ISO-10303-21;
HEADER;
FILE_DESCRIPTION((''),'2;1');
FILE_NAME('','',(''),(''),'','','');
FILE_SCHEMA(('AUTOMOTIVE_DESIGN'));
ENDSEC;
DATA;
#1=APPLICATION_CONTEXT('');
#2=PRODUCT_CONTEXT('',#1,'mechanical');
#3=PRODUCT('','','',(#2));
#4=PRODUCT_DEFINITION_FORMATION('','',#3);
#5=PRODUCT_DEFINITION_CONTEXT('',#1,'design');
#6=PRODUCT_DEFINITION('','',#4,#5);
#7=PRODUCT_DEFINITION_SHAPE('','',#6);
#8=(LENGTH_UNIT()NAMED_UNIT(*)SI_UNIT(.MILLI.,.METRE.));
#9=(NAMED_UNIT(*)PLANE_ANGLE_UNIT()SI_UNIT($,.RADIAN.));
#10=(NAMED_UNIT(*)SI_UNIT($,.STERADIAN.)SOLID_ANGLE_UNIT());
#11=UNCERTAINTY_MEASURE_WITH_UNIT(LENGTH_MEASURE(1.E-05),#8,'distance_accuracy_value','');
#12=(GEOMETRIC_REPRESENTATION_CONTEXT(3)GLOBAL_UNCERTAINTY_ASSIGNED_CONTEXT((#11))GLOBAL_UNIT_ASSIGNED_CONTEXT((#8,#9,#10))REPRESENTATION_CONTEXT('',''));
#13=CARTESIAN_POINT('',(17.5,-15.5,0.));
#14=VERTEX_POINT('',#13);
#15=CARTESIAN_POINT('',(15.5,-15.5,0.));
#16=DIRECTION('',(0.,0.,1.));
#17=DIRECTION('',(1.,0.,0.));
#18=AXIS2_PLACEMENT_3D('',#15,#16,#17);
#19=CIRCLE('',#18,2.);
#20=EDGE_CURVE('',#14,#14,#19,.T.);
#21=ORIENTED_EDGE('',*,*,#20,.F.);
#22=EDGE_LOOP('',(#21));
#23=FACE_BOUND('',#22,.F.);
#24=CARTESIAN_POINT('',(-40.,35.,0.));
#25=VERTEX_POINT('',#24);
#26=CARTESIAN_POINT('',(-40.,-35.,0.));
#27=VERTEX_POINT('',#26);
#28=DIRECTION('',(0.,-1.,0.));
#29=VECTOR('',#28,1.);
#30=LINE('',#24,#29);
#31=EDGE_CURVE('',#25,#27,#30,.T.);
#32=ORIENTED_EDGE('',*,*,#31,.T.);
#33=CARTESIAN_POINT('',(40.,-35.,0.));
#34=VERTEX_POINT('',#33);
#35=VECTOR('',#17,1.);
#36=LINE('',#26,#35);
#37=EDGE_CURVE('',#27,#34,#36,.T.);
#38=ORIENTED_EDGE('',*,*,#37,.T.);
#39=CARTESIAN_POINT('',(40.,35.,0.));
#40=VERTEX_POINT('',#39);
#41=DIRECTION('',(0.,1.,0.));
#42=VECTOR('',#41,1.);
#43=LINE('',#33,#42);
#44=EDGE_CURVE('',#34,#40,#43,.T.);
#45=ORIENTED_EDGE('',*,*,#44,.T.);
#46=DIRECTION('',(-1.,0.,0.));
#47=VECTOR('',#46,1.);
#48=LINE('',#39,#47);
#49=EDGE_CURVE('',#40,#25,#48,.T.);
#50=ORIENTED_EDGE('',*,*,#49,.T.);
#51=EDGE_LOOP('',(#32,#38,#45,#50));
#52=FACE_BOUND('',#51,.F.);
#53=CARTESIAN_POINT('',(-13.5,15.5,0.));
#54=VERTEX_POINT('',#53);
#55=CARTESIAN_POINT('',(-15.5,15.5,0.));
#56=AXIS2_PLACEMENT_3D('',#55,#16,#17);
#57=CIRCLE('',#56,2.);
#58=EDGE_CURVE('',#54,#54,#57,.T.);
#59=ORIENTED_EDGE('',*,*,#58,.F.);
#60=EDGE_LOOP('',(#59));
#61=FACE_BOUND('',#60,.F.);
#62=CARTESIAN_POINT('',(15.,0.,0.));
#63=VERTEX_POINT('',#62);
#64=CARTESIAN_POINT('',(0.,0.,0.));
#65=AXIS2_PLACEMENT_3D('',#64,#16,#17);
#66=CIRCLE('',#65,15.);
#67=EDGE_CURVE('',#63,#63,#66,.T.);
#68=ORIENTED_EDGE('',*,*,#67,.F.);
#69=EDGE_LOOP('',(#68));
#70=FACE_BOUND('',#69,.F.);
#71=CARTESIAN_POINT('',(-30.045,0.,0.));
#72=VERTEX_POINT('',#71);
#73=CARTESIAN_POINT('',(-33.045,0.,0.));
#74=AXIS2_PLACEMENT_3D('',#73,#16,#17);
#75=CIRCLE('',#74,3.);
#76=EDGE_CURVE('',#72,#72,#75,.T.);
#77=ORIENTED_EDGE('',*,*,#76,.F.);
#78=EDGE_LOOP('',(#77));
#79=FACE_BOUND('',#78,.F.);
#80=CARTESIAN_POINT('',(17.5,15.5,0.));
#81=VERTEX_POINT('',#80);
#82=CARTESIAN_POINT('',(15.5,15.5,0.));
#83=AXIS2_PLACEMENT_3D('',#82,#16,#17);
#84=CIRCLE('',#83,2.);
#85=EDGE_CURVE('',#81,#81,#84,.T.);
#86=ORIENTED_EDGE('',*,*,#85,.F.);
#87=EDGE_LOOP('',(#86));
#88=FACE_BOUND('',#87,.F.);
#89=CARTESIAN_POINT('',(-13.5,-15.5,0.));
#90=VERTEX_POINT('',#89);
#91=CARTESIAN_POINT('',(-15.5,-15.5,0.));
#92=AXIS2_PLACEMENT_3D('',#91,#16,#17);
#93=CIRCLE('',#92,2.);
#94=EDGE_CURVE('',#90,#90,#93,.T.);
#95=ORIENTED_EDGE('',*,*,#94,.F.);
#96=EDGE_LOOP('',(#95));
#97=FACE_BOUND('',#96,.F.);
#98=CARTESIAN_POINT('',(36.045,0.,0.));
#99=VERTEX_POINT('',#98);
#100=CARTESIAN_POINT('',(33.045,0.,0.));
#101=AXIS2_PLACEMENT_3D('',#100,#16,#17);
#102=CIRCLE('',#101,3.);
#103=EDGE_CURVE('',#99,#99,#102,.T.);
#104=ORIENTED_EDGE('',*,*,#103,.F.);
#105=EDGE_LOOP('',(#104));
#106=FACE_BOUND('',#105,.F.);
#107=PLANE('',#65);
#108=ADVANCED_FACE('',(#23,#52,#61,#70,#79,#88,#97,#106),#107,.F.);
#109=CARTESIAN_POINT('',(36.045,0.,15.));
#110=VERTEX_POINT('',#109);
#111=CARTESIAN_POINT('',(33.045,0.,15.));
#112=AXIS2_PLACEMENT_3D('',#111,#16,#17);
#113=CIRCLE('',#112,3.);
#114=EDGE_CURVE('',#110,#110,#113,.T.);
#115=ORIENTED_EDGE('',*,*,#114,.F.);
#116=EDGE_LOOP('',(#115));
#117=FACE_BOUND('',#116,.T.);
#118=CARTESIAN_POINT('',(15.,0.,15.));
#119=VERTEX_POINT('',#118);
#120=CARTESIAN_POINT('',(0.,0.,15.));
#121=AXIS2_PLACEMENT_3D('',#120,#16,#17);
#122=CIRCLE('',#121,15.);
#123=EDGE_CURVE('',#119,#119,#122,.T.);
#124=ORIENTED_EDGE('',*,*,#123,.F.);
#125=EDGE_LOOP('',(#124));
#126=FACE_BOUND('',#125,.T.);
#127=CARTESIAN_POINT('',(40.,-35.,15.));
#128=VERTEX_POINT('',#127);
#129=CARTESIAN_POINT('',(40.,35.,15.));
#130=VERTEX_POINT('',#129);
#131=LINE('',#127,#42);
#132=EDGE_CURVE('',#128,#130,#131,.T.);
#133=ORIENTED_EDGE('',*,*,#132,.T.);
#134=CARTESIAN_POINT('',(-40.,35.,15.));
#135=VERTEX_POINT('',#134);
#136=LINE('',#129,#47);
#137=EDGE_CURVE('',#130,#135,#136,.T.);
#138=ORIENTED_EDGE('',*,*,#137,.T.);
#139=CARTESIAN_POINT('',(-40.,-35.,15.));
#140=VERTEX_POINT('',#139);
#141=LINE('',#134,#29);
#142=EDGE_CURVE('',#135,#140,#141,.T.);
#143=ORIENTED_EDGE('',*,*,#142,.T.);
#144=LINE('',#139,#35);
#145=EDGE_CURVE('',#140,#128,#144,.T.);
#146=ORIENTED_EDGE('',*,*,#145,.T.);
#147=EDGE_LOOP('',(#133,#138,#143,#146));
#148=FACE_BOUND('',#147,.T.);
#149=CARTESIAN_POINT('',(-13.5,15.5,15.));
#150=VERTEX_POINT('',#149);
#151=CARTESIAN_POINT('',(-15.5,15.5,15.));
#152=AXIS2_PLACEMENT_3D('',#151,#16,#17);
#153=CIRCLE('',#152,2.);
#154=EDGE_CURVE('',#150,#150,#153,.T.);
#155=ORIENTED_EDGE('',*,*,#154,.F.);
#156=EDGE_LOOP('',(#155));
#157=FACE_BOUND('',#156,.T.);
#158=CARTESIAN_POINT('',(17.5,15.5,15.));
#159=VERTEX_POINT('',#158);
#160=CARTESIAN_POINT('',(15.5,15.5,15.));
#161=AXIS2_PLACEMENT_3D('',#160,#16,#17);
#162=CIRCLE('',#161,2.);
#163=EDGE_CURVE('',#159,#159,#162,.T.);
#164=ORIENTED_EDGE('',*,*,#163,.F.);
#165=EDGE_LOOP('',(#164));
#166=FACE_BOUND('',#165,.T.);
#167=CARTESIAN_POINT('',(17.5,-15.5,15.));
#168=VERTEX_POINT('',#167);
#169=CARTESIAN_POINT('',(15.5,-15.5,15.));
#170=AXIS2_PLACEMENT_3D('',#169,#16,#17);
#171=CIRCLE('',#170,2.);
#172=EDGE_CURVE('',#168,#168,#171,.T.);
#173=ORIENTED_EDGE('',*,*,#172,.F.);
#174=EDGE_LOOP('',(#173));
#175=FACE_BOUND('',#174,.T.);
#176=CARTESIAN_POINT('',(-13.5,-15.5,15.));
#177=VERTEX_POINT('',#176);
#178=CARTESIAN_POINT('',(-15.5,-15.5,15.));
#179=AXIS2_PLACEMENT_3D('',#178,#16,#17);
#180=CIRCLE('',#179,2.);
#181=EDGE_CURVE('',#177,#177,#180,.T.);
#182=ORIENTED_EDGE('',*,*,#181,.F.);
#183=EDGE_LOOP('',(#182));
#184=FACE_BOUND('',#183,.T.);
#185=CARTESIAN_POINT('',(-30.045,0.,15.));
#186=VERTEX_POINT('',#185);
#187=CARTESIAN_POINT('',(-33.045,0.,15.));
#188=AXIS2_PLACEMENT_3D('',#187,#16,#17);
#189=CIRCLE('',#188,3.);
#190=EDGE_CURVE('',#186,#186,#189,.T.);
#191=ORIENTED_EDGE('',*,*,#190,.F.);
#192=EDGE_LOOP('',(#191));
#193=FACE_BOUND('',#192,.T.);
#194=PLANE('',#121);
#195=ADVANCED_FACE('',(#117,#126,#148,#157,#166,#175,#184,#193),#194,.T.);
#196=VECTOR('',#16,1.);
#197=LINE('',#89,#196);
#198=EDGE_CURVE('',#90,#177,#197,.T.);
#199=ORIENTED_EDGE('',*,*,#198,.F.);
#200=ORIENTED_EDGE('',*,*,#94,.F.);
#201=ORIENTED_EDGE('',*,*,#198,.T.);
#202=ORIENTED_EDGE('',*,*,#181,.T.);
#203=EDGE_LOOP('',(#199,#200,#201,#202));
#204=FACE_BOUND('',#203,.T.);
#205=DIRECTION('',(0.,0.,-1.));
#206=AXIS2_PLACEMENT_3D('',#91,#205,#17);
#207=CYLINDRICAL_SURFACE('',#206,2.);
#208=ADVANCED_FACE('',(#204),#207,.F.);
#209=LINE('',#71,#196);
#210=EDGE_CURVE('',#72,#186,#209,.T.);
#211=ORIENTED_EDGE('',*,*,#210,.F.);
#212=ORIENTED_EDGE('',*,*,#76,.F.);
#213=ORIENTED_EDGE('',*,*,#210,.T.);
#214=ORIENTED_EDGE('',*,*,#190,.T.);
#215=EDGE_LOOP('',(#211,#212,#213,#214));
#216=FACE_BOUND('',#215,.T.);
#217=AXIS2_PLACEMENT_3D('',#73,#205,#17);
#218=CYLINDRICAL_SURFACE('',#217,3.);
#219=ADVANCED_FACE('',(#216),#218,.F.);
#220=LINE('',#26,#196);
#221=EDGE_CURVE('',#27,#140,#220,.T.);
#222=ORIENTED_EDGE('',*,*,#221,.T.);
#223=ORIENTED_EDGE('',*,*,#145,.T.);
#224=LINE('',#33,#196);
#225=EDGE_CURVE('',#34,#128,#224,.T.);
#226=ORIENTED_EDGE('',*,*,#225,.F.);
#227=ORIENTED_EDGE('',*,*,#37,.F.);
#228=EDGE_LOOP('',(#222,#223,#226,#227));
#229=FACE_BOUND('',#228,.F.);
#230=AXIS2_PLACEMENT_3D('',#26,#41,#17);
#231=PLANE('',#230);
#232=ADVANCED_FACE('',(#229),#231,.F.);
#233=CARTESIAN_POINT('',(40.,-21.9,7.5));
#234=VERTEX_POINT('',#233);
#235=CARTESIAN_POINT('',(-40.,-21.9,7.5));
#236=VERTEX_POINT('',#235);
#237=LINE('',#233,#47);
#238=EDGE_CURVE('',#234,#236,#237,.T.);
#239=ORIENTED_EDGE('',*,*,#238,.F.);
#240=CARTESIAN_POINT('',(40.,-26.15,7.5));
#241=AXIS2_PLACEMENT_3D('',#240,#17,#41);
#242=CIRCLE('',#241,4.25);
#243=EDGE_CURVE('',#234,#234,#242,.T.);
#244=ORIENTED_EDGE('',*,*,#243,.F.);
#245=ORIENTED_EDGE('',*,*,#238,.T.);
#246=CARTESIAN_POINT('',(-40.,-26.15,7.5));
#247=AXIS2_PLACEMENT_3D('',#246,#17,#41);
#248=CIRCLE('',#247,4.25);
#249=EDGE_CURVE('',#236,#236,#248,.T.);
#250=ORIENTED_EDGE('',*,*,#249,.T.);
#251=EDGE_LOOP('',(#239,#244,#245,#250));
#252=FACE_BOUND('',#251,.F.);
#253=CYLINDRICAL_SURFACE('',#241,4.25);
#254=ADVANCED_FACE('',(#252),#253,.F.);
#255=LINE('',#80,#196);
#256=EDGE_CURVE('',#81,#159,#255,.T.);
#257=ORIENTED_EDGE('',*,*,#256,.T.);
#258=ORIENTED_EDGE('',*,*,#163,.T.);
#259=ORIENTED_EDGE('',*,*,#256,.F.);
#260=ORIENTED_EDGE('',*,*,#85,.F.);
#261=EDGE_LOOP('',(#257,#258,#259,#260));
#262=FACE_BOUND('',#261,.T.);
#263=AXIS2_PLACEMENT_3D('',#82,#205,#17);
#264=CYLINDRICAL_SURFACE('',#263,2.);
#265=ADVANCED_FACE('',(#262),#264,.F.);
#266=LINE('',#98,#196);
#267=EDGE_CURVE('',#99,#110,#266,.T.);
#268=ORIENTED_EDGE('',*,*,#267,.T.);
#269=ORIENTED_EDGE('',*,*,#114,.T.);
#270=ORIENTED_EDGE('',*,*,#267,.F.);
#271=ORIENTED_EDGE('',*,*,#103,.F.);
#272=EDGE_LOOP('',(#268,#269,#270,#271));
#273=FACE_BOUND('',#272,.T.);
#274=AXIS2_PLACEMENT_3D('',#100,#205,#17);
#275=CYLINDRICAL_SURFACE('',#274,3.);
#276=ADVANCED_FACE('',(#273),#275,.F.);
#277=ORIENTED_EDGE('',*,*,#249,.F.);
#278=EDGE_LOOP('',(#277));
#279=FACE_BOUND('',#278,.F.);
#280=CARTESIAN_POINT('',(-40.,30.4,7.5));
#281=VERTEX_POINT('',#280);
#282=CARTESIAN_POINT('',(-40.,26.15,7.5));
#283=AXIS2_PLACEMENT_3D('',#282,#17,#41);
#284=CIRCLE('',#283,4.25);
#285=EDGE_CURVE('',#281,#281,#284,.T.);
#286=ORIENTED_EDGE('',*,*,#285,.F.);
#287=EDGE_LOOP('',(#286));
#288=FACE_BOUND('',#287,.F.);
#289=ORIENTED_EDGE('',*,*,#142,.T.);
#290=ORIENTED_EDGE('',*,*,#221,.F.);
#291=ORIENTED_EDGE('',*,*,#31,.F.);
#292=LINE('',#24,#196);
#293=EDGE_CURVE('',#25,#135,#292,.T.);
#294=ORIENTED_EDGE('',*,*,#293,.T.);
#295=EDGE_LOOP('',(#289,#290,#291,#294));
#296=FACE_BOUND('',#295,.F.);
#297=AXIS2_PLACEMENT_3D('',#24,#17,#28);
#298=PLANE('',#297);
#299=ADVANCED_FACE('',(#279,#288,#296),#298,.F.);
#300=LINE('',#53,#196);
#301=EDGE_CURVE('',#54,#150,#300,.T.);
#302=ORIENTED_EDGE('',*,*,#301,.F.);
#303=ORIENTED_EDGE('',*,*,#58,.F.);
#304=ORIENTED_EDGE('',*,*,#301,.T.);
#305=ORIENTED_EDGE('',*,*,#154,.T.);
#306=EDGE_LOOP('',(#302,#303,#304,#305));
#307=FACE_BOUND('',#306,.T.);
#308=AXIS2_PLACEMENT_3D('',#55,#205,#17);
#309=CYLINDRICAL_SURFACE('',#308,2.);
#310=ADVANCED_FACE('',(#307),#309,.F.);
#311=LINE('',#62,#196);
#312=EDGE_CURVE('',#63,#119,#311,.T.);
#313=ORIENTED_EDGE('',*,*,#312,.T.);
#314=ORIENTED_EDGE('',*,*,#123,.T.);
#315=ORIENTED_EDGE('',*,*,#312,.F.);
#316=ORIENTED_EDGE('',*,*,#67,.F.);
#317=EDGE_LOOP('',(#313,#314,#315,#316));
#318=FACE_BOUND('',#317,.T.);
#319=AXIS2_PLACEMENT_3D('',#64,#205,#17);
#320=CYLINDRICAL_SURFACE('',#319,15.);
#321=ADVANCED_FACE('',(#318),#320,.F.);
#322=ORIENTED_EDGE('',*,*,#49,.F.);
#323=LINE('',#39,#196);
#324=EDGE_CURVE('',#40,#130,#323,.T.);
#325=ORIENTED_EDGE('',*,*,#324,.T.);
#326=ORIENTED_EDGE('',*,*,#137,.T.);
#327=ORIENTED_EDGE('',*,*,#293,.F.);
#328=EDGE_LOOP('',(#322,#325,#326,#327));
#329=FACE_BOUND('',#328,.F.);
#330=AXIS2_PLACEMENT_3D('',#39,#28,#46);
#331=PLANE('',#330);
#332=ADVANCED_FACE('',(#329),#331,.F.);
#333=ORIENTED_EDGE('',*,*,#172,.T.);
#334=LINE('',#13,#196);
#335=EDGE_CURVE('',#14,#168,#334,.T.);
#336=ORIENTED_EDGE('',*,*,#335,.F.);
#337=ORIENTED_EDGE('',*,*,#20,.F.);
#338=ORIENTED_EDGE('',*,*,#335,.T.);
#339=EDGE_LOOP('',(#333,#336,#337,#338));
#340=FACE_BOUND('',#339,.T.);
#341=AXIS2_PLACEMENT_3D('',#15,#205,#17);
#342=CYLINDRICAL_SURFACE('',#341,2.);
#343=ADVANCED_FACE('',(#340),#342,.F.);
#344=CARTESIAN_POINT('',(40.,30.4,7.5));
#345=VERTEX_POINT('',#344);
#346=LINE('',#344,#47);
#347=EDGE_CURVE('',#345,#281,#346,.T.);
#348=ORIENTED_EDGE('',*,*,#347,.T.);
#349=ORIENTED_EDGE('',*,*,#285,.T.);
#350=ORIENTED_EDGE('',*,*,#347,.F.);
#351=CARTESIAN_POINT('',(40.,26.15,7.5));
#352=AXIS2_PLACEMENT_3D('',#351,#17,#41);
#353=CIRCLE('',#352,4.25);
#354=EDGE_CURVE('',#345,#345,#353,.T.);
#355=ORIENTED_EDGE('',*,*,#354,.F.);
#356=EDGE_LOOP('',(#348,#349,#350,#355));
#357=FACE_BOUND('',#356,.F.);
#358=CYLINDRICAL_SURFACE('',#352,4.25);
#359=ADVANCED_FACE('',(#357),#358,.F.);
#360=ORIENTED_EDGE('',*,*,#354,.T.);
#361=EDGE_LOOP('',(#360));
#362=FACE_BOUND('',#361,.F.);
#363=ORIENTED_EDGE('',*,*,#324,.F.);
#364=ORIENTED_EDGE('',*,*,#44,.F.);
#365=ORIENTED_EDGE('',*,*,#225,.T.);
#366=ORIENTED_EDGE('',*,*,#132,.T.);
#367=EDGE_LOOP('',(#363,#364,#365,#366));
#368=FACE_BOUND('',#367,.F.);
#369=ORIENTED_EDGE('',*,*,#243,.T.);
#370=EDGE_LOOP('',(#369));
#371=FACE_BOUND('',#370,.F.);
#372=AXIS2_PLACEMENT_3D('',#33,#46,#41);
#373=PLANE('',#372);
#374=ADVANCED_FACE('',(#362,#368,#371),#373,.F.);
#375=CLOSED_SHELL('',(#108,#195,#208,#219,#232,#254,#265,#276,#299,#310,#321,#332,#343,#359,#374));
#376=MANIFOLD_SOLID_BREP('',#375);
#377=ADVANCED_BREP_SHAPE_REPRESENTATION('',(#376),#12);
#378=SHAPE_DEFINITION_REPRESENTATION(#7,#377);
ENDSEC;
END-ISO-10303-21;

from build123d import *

# Parameters (mm, degrees)
F0_R     = 2
F0_R_2   = 3
F0_R_3   = 15
F1_DEPTH = 15
F2_R     = 4.25
F3_DEPTH = 80


with BuildPart() as f1:
    # F0 (on Top) → F1 (new body)
    with BuildSketch(Plane.XY):
        Polygon((40, -35), (40, -19.5), (40, 19.5), (40, 35), (-40, 35), (-40, 19.5), (-40, -19.5), (-40, -35), align=None)
        with Locations((-15.5, -15.5)):
            Circle(F0_R, mode=Mode.SUBTRACT)
        with Locations((15.5, -15.5)):
            Circle(F0_R, mode=Mode.SUBTRACT)
        with Locations((-33.045, 0)):
            Circle(F0_R_2, mode=Mode.SUBTRACT)
        with Locations((-15.5, 15.5)):
            Circle(F0_R, mode=Mode.SUBTRACT)
        Circle(F0_R_3, mode=Mode.SUBTRACT)
        with Locations((15.5, 15.5)):
            Circle(F0_R, mode=Mode.SUBTRACT)
        with Locations((33.045, 0)):
            Circle(F0_R_2, mode=Mode.SUBTRACT)
    extrude(amount=F1_DEPTH)

    # F2 (on face) → F3 (cut, through all)
    with BuildSketch(Plane.YZ.offset(40)):
        with Locations((-26.15, 7.5)):
            Circle(F2_R)
        with Locations((26.15, 7.5)):
            Circle(F2_R)
    extrude(amount=-F3_DEPTH, mode=Mode.SUBTRACT)


solid = f1.part
